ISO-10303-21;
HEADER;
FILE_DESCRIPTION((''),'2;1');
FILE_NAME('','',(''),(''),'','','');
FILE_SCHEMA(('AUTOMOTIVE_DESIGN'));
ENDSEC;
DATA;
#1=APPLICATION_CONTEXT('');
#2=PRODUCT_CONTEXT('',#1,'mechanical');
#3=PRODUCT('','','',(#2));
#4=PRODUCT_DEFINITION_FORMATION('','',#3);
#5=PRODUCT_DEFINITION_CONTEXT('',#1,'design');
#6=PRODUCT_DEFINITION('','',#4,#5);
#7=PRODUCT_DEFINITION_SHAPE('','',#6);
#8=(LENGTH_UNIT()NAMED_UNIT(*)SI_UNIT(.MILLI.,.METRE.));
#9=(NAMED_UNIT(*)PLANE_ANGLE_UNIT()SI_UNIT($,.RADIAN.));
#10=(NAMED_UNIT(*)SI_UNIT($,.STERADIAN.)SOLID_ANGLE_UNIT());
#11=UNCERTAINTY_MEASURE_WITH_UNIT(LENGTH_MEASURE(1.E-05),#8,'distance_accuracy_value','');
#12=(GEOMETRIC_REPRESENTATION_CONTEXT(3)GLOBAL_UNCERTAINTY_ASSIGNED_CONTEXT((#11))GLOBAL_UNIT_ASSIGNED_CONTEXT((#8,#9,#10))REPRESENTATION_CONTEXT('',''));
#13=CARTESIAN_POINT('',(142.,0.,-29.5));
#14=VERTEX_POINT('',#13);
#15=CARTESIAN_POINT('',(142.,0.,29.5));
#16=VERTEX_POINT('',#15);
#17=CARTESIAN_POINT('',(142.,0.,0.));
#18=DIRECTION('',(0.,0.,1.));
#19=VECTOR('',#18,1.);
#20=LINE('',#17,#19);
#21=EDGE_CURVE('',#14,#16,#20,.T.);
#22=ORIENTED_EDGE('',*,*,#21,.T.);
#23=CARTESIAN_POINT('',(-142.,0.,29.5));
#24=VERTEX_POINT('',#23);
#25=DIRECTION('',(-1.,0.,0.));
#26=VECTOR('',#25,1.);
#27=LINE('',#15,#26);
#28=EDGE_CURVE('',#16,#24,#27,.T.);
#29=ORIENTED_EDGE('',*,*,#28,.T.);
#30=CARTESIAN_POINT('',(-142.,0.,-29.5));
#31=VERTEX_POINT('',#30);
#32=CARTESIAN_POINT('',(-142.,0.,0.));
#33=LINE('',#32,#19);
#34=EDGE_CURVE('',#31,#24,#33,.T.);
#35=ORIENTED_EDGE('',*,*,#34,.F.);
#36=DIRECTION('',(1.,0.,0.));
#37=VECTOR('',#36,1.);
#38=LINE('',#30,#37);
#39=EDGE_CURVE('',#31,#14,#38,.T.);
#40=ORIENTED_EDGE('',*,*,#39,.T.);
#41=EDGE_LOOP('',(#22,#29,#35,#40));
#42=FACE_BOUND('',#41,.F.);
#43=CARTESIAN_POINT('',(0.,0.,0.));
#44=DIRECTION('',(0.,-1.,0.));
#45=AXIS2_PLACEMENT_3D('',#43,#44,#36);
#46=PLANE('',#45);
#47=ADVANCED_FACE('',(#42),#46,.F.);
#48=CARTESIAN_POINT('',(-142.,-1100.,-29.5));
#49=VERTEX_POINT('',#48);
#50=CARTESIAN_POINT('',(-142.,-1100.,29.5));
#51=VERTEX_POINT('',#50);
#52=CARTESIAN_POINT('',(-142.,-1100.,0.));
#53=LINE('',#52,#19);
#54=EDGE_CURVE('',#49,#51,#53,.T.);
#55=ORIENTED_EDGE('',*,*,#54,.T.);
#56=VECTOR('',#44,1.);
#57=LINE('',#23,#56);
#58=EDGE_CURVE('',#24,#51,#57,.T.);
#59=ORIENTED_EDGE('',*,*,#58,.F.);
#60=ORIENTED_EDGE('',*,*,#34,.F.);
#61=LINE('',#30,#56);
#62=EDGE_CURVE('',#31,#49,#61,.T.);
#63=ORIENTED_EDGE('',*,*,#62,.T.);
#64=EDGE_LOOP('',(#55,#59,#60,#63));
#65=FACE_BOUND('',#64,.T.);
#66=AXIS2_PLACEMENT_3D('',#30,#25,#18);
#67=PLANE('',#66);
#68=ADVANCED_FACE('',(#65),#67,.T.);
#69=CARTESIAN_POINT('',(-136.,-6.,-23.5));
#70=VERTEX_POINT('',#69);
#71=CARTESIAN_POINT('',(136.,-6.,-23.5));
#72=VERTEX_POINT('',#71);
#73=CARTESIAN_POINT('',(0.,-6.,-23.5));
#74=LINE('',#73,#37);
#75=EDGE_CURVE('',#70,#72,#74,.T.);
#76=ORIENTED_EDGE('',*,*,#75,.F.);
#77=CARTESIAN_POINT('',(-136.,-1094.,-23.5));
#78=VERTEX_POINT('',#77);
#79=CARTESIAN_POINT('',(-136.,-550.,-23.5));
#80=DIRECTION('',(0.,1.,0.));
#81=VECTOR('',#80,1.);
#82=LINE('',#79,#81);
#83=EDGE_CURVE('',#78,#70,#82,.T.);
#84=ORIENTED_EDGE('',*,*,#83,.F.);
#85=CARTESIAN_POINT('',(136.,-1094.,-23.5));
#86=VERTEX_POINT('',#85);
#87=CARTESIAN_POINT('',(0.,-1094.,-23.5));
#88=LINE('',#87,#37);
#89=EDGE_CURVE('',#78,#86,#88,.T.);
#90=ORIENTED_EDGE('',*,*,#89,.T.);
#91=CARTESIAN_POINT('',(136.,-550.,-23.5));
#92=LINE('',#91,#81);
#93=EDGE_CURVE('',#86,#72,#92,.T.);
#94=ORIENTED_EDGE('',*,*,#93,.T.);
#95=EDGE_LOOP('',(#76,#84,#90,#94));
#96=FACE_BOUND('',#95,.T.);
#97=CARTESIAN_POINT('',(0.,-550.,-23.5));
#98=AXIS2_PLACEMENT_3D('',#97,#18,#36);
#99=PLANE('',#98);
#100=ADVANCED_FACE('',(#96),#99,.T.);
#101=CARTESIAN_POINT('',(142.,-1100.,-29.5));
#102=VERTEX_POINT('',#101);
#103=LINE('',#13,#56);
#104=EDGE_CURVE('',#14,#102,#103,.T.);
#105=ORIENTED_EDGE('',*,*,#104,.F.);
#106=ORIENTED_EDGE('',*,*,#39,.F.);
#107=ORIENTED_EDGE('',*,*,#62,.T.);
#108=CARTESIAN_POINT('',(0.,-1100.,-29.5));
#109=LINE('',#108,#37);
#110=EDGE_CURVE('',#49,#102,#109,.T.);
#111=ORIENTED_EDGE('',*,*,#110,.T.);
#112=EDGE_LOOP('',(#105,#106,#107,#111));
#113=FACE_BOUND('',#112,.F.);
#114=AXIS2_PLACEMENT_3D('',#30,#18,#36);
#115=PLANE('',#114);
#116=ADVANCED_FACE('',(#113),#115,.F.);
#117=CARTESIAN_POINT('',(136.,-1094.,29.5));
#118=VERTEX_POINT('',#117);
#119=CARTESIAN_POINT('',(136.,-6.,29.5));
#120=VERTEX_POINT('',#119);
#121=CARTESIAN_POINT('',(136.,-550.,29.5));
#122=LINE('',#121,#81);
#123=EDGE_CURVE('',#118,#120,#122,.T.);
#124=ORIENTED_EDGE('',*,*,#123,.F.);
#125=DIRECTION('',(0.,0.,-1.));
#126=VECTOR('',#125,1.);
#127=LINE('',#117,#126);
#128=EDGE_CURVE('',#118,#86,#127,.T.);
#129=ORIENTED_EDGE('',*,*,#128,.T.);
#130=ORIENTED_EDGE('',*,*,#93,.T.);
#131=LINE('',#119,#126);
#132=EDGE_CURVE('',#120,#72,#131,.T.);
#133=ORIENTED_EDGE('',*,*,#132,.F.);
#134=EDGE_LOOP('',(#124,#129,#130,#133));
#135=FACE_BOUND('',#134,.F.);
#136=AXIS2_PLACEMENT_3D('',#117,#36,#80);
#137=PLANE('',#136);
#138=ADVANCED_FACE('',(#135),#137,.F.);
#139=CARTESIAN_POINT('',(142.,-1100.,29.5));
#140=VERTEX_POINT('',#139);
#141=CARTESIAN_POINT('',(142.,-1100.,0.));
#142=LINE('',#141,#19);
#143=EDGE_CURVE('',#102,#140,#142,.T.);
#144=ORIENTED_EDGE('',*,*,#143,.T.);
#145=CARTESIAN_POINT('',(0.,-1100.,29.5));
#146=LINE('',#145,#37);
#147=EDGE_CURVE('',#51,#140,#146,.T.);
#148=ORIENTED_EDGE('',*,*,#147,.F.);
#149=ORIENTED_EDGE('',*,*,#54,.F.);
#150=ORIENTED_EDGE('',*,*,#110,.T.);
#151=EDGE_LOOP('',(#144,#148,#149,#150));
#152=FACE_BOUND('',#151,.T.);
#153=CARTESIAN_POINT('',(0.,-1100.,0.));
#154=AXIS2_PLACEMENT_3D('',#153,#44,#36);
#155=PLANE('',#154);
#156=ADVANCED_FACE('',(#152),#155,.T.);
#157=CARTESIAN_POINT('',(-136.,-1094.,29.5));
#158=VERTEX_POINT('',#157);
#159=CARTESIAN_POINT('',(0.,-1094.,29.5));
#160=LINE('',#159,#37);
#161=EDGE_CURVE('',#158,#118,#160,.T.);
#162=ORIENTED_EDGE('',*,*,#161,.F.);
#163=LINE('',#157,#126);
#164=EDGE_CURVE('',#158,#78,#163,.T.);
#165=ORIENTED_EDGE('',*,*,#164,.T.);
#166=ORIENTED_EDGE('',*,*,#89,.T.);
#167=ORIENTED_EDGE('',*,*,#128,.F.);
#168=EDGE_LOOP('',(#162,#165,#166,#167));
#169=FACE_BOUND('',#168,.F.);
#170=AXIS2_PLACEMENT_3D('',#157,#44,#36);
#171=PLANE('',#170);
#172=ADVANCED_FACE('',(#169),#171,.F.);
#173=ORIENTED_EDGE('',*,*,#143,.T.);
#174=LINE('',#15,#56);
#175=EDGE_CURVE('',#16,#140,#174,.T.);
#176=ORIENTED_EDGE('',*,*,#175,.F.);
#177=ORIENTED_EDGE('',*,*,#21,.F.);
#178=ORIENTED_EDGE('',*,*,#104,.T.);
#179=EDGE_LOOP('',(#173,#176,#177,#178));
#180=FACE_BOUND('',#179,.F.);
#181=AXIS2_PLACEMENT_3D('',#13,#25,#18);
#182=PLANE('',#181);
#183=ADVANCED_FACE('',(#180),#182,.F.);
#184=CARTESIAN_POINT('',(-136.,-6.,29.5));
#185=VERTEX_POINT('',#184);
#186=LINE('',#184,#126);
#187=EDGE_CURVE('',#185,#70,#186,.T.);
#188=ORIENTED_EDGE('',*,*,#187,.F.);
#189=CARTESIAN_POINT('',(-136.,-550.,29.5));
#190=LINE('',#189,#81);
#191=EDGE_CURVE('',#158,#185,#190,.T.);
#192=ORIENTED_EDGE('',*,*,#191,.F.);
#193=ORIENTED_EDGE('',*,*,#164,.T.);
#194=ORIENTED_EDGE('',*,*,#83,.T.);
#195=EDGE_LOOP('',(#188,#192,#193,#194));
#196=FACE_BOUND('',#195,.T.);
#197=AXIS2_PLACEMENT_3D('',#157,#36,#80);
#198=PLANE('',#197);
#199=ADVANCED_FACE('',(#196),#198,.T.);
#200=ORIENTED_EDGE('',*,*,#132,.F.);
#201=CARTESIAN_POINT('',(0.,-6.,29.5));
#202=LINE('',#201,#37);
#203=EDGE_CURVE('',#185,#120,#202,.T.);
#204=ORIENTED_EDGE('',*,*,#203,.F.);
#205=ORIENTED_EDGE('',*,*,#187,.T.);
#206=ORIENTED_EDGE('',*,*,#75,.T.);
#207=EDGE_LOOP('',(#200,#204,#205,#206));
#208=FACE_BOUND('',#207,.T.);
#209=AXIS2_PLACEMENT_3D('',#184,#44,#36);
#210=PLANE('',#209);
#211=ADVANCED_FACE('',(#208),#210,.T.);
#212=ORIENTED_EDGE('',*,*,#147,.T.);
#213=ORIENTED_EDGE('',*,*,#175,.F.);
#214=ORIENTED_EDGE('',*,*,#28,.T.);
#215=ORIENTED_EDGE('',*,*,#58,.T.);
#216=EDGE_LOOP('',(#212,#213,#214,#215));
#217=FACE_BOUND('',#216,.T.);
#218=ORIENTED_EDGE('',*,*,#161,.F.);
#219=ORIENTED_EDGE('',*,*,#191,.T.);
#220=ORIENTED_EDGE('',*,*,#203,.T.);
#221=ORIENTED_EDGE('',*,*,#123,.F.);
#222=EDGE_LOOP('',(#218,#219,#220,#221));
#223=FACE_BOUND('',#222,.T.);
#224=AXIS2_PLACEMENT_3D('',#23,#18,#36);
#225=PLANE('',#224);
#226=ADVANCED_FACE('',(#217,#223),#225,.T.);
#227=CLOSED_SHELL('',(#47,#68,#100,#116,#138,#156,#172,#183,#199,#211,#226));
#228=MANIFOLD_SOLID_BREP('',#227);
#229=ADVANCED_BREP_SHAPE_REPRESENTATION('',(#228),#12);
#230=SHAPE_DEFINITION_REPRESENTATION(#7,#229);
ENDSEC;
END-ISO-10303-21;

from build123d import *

# Parameters (mm, degrees)
F0_W     = 284
F0_H     = 59
F1_DEPTH = 1100
F3_DEPTH = 59
F4_W     = 272
F4_H     = 1088
F5_DEPTH = 53


with BuildPart() as f1:
    # F0 (on Front) → F1 (new body)
    with BuildSketch(Plane.XZ):
        Rectangle(F0_W, F0_H)
    extrude(amount=F1_DEPTH)

    # F2 (on face) → F3 (cut)
    with BuildSketch(Plane.XY.offset(29.5)):
        Polygon((148, 6), (-136, 6), (-136, 0), (142, 0), (142, -1094), (148, -1094), align=None)
    extrude(amount=-F3_DEPTH, mode=Mode.SUBTRACT)

    # F4 (on face) → F5 (cut)
    with BuildSketch(Plane.XY.offset(29.5)):
        with Locations((0, -550)):
            Rectangle(F4_W, F4_H)
    extrude(amount=-F5_DEPTH, mode=Mode.SUBTRACT)


solid = f1.part
